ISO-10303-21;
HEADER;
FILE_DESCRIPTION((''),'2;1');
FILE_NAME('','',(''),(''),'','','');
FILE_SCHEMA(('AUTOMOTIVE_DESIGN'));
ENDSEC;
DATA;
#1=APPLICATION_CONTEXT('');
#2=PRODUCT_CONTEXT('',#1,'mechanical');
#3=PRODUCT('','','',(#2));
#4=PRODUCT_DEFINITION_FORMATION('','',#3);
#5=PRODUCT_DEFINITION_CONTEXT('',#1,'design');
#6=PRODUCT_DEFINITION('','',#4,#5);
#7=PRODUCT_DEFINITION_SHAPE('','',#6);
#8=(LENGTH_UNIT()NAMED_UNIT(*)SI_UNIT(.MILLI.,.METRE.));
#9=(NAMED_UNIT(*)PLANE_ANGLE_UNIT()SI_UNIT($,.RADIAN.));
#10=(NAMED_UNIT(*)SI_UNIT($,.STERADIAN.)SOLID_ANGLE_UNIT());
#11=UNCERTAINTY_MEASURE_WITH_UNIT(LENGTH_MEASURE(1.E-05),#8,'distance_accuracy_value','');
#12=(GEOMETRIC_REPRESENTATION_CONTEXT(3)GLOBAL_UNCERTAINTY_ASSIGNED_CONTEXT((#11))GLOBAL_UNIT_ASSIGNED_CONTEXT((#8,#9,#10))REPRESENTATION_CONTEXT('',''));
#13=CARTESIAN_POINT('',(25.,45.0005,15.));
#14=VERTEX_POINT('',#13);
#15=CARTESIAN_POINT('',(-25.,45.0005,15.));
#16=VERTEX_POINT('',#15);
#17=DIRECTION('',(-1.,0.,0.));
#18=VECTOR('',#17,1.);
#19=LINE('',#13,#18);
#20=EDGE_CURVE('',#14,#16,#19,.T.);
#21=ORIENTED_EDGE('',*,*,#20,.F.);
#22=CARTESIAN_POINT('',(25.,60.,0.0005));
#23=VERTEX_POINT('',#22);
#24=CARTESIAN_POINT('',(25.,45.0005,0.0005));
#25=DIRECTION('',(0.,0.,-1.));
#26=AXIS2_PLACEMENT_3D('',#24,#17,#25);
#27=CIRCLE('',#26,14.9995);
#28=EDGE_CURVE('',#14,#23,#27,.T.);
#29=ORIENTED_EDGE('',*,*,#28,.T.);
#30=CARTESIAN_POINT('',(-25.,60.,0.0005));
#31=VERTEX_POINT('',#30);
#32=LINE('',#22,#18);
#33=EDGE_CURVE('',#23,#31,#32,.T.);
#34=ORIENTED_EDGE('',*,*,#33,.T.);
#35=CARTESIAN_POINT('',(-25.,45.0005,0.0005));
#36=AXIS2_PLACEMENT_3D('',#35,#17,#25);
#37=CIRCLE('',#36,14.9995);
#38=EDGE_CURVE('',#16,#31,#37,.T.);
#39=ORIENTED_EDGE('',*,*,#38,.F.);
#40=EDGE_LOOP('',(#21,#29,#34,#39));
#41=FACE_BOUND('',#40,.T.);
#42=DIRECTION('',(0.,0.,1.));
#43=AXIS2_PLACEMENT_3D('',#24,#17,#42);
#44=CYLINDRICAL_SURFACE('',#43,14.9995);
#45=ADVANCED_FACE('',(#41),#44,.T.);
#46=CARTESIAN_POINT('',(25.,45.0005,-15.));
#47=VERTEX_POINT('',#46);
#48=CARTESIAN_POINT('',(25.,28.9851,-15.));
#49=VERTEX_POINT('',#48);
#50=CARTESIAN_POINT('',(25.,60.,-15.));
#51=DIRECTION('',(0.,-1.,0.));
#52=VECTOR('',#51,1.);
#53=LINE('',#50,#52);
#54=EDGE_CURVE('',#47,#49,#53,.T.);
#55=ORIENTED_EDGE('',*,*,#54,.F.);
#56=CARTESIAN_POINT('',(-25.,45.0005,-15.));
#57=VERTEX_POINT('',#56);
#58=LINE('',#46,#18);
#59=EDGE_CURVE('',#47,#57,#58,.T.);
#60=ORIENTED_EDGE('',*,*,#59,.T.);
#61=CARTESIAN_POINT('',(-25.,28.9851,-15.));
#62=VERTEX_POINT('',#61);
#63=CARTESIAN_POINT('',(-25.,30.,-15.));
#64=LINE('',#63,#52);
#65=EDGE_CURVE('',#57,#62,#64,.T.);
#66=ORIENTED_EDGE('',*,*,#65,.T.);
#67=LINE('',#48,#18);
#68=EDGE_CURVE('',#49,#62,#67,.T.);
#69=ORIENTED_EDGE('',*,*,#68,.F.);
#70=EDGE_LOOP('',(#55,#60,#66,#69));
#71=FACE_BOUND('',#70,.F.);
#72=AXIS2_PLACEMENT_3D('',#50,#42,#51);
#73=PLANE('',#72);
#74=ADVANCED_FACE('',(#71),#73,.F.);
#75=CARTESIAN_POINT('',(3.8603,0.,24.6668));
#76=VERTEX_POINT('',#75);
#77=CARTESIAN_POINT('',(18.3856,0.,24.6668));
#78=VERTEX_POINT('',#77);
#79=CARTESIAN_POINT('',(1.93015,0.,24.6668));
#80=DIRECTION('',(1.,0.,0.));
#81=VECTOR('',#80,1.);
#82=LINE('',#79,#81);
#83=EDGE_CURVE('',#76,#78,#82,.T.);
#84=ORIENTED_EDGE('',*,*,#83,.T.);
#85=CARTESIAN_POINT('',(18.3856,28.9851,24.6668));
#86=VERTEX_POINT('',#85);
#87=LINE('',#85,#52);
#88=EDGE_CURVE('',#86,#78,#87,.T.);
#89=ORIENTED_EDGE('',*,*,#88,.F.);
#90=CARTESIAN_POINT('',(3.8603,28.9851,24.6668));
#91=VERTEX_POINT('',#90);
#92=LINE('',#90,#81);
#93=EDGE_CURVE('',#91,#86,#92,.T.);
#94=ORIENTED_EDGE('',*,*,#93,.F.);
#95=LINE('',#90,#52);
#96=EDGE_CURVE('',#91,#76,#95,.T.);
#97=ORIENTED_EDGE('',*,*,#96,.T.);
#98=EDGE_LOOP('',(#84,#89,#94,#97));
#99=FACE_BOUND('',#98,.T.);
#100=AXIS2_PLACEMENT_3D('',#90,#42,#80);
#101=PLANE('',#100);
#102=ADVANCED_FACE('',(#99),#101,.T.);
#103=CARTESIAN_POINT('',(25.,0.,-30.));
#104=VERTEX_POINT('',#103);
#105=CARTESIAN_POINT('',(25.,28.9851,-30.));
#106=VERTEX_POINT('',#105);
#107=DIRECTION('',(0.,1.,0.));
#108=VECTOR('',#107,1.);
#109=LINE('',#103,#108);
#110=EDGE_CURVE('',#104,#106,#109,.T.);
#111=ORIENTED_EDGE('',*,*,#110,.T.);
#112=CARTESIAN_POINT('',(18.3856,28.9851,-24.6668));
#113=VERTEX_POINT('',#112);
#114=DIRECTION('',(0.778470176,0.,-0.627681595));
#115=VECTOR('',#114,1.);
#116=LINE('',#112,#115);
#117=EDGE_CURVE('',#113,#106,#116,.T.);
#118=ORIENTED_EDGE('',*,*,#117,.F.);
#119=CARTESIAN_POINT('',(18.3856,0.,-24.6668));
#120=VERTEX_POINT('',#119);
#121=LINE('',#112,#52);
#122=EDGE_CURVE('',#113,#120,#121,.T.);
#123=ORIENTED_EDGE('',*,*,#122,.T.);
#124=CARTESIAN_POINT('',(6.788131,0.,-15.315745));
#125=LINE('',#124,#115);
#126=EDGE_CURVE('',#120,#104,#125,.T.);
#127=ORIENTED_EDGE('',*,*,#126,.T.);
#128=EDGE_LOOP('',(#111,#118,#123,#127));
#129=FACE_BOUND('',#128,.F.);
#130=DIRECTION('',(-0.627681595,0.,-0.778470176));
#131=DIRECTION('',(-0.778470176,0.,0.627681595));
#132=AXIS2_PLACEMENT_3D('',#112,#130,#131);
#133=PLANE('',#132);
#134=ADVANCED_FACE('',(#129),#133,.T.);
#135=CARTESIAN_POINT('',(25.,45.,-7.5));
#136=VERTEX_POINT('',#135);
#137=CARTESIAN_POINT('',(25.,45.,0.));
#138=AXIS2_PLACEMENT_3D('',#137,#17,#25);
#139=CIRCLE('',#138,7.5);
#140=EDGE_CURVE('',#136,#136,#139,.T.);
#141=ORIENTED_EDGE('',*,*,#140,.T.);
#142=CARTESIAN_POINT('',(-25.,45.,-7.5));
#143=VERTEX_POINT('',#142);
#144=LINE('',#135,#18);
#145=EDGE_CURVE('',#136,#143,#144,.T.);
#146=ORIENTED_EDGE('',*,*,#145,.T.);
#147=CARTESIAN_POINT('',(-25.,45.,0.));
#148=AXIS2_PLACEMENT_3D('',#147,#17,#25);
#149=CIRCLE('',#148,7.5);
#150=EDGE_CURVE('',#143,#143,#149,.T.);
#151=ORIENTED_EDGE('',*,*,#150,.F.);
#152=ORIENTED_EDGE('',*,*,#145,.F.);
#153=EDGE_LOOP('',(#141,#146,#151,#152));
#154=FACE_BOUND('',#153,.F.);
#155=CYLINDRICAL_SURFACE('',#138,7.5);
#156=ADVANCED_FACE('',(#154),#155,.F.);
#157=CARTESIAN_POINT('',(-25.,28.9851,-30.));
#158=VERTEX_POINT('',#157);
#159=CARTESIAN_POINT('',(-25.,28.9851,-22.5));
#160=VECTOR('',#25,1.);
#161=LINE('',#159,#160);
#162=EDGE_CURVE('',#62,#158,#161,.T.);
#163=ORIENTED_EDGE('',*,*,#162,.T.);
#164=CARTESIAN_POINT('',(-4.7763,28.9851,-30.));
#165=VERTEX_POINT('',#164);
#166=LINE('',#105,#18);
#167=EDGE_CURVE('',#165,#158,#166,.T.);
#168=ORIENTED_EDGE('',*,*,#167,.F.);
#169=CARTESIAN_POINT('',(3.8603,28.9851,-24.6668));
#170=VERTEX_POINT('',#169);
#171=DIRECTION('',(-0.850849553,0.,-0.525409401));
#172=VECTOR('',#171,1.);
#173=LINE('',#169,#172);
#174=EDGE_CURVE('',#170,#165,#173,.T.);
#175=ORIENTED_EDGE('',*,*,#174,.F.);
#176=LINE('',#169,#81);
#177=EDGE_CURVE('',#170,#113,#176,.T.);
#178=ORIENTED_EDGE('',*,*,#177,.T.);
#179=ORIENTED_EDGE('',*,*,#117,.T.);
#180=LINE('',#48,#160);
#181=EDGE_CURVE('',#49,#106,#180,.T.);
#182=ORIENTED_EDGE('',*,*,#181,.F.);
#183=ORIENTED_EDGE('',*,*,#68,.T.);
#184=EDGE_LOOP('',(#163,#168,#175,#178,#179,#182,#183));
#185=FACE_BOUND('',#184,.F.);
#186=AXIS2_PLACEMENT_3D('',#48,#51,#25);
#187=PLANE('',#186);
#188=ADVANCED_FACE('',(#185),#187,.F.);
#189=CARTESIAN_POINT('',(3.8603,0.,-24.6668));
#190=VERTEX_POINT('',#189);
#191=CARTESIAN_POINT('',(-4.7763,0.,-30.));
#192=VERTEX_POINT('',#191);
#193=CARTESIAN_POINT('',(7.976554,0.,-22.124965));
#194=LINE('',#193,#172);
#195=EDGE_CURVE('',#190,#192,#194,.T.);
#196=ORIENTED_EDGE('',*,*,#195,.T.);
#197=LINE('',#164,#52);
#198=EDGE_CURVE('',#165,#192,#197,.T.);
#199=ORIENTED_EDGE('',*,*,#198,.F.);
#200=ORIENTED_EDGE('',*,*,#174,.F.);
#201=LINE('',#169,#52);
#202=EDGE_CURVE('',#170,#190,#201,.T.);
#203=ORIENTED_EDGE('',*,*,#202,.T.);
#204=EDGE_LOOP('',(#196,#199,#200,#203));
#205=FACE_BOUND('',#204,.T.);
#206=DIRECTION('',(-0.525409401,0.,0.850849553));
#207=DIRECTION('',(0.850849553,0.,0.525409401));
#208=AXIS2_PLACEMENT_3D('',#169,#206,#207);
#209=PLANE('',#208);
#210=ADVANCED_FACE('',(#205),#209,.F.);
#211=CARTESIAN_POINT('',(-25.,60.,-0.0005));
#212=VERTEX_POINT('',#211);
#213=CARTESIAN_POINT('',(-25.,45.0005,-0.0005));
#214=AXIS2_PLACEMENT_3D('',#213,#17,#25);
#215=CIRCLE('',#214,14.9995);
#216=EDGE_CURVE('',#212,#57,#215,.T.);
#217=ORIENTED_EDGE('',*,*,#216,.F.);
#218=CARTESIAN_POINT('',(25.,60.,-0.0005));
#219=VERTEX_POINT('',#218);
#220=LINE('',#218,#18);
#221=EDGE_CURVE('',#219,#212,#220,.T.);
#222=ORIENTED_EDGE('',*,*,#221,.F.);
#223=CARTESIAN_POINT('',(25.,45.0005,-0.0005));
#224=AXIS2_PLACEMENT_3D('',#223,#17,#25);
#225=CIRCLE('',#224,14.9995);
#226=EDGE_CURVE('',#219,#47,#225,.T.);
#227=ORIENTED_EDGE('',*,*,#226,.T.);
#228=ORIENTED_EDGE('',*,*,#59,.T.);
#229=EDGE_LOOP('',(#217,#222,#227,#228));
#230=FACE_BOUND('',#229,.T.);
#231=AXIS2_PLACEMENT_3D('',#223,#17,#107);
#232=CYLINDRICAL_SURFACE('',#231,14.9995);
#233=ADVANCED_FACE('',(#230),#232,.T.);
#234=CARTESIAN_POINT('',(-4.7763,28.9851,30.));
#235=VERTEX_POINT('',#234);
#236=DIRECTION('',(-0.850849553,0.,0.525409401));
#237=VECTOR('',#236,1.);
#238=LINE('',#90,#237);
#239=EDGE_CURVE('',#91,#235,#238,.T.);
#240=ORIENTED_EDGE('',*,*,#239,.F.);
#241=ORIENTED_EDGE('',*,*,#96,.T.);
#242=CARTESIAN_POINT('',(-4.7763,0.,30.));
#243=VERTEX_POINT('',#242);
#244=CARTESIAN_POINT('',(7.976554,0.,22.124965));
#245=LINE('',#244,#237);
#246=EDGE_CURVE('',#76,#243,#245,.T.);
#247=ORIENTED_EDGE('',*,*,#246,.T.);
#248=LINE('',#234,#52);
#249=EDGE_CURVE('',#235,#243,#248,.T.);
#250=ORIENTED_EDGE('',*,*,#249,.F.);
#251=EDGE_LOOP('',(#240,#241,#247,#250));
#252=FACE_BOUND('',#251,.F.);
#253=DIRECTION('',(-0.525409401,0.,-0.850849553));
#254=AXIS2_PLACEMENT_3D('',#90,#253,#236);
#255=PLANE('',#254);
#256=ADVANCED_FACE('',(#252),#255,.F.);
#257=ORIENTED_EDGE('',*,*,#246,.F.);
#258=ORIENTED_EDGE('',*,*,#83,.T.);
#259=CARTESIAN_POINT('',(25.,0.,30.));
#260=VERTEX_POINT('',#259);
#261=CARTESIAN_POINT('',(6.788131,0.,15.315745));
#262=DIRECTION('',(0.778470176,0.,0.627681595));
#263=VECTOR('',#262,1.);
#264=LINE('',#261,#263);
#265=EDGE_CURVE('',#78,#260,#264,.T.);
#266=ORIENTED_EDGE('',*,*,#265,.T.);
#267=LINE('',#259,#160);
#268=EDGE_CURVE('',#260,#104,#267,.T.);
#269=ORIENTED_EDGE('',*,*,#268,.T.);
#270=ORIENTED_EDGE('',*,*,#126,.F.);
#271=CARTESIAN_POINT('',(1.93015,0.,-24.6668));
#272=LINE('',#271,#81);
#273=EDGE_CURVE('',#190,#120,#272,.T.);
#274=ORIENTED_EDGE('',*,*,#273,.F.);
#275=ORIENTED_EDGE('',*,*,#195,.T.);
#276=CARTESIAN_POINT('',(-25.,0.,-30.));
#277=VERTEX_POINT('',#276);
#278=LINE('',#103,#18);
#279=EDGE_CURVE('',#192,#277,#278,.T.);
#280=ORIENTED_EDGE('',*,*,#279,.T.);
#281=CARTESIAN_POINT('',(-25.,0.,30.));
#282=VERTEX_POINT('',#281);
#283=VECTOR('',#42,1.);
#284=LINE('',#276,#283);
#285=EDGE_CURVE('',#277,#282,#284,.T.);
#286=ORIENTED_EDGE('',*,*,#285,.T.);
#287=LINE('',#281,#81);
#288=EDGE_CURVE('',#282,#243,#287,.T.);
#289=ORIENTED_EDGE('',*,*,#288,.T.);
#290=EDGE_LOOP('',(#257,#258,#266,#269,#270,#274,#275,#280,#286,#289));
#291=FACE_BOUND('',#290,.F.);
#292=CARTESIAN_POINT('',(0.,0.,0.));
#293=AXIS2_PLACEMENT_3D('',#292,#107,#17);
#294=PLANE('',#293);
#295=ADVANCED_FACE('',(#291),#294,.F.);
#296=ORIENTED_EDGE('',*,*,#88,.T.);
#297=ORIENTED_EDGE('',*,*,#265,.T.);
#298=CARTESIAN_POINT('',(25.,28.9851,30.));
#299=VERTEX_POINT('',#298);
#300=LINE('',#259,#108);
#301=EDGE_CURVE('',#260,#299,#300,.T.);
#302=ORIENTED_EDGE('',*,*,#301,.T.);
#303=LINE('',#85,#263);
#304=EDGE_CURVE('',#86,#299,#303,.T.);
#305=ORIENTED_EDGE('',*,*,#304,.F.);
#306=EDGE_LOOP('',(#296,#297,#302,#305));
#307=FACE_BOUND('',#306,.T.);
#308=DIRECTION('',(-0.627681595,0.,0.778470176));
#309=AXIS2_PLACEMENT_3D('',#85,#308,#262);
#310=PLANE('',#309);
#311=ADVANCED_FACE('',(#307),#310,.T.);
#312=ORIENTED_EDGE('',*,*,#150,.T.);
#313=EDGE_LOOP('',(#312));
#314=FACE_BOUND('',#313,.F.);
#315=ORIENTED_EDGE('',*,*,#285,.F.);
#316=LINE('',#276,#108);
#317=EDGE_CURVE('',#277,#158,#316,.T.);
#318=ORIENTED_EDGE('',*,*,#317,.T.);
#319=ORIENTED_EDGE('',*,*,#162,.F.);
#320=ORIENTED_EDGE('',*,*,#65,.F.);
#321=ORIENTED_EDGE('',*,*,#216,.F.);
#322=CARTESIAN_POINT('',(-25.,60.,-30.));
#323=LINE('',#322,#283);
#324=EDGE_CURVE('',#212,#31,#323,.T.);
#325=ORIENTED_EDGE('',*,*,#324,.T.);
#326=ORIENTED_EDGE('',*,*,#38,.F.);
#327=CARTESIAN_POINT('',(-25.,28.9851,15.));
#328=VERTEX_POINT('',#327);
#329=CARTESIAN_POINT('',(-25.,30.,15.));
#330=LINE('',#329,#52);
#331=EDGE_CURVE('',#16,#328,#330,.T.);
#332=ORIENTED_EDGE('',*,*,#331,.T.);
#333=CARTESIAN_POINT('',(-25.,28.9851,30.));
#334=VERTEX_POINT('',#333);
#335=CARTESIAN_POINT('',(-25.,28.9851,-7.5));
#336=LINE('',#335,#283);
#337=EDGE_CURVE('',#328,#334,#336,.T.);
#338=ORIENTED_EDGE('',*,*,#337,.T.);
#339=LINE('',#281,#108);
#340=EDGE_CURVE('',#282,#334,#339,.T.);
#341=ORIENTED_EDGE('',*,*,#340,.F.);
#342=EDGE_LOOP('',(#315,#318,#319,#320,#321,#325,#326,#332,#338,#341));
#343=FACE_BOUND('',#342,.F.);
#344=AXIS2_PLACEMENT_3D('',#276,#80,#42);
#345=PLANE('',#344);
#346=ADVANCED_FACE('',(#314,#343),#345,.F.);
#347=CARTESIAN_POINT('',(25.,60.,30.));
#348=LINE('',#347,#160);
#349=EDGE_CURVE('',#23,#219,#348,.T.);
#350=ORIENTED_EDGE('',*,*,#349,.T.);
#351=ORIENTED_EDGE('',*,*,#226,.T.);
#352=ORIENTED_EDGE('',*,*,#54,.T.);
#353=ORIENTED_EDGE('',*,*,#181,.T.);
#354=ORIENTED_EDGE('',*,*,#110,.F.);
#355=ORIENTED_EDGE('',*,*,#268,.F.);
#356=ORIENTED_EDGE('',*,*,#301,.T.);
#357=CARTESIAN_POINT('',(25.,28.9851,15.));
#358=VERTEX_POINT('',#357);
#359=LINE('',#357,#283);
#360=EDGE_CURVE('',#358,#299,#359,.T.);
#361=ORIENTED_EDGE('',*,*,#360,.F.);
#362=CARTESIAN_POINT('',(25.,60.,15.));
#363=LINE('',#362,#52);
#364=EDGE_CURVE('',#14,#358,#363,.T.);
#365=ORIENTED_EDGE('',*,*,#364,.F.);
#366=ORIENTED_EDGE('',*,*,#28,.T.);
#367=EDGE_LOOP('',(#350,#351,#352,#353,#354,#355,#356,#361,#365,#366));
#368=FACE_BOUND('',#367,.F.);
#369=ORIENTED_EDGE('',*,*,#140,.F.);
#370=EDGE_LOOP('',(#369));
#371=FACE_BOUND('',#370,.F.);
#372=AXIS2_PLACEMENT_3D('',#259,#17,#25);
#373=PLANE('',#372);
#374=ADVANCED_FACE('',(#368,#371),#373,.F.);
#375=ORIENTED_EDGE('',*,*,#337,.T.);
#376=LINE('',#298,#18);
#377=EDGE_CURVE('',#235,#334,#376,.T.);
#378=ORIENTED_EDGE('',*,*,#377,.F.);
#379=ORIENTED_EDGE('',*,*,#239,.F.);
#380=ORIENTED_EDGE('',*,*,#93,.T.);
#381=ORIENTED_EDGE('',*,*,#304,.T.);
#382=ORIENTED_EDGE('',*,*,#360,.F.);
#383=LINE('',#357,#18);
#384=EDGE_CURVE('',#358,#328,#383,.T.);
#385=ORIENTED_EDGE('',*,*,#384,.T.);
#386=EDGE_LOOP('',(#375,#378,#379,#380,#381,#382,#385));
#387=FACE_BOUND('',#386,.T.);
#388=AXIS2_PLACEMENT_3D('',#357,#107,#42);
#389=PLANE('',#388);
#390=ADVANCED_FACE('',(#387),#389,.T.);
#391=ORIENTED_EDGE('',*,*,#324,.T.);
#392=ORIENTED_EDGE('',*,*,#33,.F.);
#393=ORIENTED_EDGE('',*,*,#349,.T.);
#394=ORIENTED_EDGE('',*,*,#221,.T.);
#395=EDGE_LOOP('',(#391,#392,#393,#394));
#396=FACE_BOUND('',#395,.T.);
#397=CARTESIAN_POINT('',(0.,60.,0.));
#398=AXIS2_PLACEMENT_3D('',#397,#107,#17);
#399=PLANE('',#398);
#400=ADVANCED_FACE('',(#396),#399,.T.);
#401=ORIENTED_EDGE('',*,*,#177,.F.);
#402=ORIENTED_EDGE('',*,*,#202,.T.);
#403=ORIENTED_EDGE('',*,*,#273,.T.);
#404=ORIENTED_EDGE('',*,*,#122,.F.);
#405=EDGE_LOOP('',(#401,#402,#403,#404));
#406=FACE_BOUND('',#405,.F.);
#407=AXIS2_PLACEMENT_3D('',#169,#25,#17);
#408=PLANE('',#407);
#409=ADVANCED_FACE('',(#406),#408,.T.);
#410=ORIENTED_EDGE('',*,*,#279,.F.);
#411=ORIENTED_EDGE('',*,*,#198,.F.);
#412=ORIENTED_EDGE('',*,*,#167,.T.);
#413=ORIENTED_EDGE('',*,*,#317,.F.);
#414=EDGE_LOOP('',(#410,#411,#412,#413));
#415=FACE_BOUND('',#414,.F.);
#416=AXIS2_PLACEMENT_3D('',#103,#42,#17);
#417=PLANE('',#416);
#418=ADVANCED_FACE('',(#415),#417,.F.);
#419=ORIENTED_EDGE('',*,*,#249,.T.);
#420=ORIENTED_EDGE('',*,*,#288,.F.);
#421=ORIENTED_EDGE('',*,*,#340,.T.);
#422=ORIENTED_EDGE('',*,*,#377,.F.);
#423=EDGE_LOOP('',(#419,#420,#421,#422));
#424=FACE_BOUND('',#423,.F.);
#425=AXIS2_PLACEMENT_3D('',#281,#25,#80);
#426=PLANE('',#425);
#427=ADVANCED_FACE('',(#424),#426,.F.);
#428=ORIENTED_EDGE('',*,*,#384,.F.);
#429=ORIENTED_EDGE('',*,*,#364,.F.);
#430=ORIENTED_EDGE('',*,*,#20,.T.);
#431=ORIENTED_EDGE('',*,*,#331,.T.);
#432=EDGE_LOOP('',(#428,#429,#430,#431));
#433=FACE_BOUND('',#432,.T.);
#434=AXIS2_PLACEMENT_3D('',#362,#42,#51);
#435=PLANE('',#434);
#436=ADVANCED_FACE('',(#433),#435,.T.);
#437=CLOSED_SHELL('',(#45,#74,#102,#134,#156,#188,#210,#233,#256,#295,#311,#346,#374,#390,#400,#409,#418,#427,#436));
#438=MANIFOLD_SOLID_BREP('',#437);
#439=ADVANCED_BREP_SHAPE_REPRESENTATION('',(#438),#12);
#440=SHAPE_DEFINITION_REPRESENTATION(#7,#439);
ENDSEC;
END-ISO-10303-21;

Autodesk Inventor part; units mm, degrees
ref_plane "YZ Plane" through (0, 0, 0) normal (1, 0, 0) x (0, 1, 0)
ref_plane "XZ Plane" through (0, 0, 0) normal (0, 1, 0) x (-1, 0, 0)
sketch "Esboço1" plane through (0, 0, 0) normal (0, 1, 0) x (-1, 0, 0)
  line L0 (25, 30) -> (-25, 30)
  line L1 (-25, 30) -> (-25, -30)
  line L2 (-25, -30) -> (25, -30)
  line L3 (25, -30) -> (25, 30)
  line L4 (25, 30) -> (-25, -30) construction
  line L5 (-25, 30) -> (25, -30) construction
  point P0 (0, 0)
  dimension "d0" = 50
  dimension "d1" = 60
extrude "Extrusão1" add sketch "Esboço1" along normal blind 60
sketch "Esboço2" plane through (25, 0, 30) normal (1, 0, 0) x (0, 0, -1)
  line L0 (0, 60) -> (15, 60)
  line L1 (15, 60) -> (15, 28.9851)
  line L2 (15, 28.9851) -> (0, 28.9851)
  line L3 (0, 28.9851) -> (0, 60)
  line L4 (0, 60) -> (60, 60) projected
  line L5 (60, 60) -> (45, 60)
  line L6 (45, 60) -> (45, 28.9851)
  line L7 (45, 28.9851) -> (60, 28.9851)
  line L8 (60, 28.9851) -> (60, 60)
  point P0 (30, 0)
  dimension "d4" = 15
  dimension "d5" = 15
extrude "Extrusão2" cut sketch "Esboço2" against normal blind 60
fillet "Arredondamento1" radius 15 2 edges at (0, 60, 15) (0, 60, -15)
sketch "Esboço3" plane through (25, 0, 30) normal (1, 0, 0) x (0, 0, -1)
  arc A0 (45, 45) -> (15, 45) centre (30, 45) ccw projected
  point P0 (30, 0)
hole "Furo1" at (25, 45, 0) direction (-1, 0, 0) diameter 15 end through all
sketch "Esboço4" plane through (25, 28.9851, 30) normal (0, 1, 0) x (1, 0, 0)
  line L0 (0, 0) -> (-50, 0) projected
  line L1 (-50, 0) -> (-29.7763, 0)
  line L2 (-21.1397, 5.3332) -> (-6.6144, 5.3332)
  line L3 (-6.6144, 5.3332) -> (0, 0)
  line L4 (0, 0) -> (-34.3564, 0)
  line L5 (-21.1397, 5.3332) -> (-29.7763, 0)
  point P0 (-25, 30)
extrude "Extrusão3" cut sketch "Esboço4" against normal blind 60
mirror "Espelhar1" about plane through (0, 0, 0) normal (0, 0, 1) of "Extrusão3"
